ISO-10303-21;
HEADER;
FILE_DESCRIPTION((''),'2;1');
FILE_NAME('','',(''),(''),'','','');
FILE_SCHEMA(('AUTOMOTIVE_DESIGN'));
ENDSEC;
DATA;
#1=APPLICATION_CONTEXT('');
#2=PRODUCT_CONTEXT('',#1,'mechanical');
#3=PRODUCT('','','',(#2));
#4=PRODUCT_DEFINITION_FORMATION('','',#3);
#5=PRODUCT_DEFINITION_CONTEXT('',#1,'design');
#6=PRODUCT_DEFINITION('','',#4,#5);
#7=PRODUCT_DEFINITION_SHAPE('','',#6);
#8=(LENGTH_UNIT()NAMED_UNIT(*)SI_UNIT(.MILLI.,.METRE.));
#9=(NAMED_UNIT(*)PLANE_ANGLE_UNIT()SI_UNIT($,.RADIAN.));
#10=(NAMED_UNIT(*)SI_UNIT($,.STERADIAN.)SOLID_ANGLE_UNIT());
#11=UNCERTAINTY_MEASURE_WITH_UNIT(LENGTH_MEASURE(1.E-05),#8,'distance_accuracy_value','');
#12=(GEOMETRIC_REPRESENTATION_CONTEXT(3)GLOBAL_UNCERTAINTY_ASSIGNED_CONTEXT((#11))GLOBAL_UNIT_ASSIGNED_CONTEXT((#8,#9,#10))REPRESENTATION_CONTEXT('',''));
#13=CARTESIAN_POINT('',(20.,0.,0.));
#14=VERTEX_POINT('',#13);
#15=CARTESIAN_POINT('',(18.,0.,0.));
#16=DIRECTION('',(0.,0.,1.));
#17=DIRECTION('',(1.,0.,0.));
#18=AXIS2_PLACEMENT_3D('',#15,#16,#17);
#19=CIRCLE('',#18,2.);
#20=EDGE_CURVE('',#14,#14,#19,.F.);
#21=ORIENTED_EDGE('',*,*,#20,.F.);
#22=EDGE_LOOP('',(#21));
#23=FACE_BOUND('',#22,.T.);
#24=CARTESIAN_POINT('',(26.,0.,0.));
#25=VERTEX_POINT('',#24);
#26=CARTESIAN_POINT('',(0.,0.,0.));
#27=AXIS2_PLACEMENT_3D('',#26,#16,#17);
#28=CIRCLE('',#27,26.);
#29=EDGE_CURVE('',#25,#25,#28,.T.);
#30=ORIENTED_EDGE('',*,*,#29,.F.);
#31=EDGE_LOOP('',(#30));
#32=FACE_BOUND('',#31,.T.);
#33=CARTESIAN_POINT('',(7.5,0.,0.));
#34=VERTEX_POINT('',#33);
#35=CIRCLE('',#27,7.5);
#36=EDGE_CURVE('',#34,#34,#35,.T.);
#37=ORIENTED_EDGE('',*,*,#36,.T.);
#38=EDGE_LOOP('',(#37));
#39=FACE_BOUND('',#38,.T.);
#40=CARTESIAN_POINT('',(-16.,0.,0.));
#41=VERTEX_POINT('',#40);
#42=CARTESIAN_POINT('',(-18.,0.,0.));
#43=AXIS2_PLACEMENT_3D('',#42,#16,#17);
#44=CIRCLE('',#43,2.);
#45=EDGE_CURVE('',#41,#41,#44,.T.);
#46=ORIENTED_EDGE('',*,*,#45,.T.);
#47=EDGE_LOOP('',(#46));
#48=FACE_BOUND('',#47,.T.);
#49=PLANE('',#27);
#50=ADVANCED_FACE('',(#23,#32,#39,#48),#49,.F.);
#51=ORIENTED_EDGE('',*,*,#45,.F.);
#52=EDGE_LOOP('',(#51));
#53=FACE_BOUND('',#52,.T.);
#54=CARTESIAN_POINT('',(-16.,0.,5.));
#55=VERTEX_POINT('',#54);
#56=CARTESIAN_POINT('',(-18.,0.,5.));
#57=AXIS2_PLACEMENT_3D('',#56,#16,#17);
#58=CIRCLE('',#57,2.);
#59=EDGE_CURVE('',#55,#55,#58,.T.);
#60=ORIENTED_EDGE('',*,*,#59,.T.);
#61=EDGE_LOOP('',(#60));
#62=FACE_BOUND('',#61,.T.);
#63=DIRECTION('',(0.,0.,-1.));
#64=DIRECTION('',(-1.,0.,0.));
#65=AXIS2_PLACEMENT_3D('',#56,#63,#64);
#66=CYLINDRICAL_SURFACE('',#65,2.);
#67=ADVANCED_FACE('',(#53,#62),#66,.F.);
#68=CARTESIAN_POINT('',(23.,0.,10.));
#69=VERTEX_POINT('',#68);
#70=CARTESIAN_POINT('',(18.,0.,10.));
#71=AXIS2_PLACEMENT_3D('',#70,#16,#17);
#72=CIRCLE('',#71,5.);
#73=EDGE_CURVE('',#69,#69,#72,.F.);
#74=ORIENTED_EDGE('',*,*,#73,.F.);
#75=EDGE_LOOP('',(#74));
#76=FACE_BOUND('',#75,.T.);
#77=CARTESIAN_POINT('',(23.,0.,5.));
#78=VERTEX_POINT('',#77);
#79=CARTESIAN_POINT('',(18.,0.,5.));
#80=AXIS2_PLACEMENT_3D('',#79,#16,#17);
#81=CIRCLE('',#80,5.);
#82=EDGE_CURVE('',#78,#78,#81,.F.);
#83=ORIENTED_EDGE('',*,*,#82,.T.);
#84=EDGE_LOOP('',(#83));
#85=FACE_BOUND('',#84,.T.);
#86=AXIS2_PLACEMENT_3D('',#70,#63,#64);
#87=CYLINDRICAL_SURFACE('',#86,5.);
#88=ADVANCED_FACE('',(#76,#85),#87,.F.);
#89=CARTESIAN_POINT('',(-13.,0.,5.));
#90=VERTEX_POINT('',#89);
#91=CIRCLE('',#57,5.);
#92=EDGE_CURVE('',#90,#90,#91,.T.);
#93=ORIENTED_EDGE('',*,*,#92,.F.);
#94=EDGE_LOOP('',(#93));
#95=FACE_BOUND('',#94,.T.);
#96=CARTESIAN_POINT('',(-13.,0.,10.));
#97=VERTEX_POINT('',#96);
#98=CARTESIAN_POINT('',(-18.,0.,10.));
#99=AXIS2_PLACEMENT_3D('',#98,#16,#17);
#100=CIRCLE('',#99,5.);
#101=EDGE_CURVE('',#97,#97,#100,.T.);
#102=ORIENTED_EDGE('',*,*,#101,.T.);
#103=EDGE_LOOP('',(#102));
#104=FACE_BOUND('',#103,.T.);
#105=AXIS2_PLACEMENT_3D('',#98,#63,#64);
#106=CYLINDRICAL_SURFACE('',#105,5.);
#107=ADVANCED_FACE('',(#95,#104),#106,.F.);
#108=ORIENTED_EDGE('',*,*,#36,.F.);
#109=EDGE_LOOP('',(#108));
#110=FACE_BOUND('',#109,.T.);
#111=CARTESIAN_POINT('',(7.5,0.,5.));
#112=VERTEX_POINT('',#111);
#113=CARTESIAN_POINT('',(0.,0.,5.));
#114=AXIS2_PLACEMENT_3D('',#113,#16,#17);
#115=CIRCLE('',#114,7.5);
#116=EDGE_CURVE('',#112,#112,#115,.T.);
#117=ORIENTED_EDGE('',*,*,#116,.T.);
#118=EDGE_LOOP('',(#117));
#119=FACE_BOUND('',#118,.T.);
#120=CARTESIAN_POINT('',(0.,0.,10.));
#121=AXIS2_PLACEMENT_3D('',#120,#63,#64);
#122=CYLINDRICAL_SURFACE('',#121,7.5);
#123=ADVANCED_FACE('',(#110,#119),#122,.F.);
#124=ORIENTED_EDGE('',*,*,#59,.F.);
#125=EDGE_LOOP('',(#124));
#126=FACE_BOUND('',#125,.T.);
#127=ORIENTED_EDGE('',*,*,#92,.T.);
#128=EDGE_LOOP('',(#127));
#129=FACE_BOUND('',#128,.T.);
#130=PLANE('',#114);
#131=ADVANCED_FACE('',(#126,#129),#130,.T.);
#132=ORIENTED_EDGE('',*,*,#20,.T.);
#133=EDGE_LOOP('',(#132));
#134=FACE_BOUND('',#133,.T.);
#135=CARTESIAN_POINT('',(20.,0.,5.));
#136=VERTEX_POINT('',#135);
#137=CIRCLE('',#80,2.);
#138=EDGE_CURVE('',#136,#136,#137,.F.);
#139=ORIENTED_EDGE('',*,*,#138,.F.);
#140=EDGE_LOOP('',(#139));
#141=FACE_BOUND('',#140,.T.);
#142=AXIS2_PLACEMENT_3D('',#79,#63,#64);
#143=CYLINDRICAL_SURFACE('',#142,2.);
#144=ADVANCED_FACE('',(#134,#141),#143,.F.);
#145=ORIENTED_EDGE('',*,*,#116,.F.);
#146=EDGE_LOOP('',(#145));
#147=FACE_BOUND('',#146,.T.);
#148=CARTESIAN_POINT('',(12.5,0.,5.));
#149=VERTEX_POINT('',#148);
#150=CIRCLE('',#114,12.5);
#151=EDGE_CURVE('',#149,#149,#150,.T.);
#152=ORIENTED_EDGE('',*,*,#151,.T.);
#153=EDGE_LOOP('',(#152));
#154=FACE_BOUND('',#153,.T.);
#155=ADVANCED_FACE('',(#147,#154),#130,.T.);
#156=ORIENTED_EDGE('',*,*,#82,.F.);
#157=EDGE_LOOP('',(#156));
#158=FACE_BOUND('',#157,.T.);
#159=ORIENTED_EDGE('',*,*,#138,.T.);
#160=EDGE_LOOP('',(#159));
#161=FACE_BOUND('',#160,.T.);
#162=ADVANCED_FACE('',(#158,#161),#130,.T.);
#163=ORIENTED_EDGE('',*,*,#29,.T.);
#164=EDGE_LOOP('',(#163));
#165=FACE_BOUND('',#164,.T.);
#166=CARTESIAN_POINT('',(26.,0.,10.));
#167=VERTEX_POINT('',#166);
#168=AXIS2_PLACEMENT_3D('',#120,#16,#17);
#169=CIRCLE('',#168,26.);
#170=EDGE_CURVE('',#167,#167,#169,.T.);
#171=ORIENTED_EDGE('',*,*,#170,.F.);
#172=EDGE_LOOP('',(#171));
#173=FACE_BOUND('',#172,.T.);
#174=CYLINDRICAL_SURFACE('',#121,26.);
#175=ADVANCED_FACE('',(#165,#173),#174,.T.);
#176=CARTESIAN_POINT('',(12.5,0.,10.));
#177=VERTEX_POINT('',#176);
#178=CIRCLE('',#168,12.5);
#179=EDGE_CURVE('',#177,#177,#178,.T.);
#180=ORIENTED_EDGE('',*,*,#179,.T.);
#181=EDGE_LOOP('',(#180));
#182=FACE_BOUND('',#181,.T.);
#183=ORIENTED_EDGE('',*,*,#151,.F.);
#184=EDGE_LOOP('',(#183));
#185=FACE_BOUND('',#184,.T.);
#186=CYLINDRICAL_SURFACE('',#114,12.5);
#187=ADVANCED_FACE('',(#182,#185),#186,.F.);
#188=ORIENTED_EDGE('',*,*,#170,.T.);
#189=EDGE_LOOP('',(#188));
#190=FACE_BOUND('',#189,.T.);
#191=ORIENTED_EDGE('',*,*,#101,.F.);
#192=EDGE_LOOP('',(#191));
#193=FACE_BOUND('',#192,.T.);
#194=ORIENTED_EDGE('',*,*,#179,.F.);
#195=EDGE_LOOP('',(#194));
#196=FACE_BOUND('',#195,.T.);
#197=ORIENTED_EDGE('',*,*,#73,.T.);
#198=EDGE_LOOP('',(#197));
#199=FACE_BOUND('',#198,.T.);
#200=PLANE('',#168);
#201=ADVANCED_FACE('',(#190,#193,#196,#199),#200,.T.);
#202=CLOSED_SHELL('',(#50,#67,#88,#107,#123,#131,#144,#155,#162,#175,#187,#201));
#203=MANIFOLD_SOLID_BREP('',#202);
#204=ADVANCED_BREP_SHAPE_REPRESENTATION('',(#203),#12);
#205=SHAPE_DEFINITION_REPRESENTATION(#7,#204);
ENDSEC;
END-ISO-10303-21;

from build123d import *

# Parameters (mm, degrees)
SKETCH_4_R          = 26
SKETCH_4_R_2        = 5
SKETCH_4_R_3        = 7.5
EXTRUDE_2_DEPTH     = 10
SKETCH_4_4_R        = 5
SKETCH_4_4_R_2      = 2
EXTRUDE_3_DEPTH     = 5
SKETCH_5_R          = 12.5
CUT_EXTRUDE_3_DEPTH = 5


with BuildPart() as part:
    # 草图4 → 凸台-拉伸2 (new body)
    with BuildSketch(Plane.XY):
        Circle(SKETCH_4_R)
        with Locations((-18, 0)):
            Circle(SKETCH_4_R_2, mode=Mode.SUBTRACT)
        Circle(SKETCH_4_R_3, mode=Mode.SUBTRACT)
        with Locations((18, 0)):
            Circle(SKETCH_4_R_2, mode=Mode.SUBTRACT)
    extrude(amount=EXTRUDE_2_DEPTH)

    # 草图4<4> → 凸台-拉伸3 (add)
    # profile 1 of 2: a face of its own
    with BuildSketch(Plane.XY):
        with Locations((-18, 0)):
            Circle(SKETCH_4_4_R)
        with Locations((-18, 0)):
            Circle(SKETCH_4_4_R_2, mode=Mode.SUBTRACT)
    # profile 2 of 2: a face of its own
    with BuildSketch(Plane.XY):
        with Locations((18, 0)):
            Circle(SKETCH_4_4_R)
        with Locations((18, 0)):
            Circle(SKETCH_4_4_R_2, mode=Mode.SUBTRACT)
    extrude(amount=EXTRUDE_3_DEPTH)

    # 草图5 → 切除-拉伸3 (cut)
    with BuildSketch(Plane.XY.offset(10)):
        Circle(SKETCH_5_R)
    extrude(amount=-CUT_EXTRUDE_3_DEPTH, mode=Mode.SUBTRACT)


solid = part.part
